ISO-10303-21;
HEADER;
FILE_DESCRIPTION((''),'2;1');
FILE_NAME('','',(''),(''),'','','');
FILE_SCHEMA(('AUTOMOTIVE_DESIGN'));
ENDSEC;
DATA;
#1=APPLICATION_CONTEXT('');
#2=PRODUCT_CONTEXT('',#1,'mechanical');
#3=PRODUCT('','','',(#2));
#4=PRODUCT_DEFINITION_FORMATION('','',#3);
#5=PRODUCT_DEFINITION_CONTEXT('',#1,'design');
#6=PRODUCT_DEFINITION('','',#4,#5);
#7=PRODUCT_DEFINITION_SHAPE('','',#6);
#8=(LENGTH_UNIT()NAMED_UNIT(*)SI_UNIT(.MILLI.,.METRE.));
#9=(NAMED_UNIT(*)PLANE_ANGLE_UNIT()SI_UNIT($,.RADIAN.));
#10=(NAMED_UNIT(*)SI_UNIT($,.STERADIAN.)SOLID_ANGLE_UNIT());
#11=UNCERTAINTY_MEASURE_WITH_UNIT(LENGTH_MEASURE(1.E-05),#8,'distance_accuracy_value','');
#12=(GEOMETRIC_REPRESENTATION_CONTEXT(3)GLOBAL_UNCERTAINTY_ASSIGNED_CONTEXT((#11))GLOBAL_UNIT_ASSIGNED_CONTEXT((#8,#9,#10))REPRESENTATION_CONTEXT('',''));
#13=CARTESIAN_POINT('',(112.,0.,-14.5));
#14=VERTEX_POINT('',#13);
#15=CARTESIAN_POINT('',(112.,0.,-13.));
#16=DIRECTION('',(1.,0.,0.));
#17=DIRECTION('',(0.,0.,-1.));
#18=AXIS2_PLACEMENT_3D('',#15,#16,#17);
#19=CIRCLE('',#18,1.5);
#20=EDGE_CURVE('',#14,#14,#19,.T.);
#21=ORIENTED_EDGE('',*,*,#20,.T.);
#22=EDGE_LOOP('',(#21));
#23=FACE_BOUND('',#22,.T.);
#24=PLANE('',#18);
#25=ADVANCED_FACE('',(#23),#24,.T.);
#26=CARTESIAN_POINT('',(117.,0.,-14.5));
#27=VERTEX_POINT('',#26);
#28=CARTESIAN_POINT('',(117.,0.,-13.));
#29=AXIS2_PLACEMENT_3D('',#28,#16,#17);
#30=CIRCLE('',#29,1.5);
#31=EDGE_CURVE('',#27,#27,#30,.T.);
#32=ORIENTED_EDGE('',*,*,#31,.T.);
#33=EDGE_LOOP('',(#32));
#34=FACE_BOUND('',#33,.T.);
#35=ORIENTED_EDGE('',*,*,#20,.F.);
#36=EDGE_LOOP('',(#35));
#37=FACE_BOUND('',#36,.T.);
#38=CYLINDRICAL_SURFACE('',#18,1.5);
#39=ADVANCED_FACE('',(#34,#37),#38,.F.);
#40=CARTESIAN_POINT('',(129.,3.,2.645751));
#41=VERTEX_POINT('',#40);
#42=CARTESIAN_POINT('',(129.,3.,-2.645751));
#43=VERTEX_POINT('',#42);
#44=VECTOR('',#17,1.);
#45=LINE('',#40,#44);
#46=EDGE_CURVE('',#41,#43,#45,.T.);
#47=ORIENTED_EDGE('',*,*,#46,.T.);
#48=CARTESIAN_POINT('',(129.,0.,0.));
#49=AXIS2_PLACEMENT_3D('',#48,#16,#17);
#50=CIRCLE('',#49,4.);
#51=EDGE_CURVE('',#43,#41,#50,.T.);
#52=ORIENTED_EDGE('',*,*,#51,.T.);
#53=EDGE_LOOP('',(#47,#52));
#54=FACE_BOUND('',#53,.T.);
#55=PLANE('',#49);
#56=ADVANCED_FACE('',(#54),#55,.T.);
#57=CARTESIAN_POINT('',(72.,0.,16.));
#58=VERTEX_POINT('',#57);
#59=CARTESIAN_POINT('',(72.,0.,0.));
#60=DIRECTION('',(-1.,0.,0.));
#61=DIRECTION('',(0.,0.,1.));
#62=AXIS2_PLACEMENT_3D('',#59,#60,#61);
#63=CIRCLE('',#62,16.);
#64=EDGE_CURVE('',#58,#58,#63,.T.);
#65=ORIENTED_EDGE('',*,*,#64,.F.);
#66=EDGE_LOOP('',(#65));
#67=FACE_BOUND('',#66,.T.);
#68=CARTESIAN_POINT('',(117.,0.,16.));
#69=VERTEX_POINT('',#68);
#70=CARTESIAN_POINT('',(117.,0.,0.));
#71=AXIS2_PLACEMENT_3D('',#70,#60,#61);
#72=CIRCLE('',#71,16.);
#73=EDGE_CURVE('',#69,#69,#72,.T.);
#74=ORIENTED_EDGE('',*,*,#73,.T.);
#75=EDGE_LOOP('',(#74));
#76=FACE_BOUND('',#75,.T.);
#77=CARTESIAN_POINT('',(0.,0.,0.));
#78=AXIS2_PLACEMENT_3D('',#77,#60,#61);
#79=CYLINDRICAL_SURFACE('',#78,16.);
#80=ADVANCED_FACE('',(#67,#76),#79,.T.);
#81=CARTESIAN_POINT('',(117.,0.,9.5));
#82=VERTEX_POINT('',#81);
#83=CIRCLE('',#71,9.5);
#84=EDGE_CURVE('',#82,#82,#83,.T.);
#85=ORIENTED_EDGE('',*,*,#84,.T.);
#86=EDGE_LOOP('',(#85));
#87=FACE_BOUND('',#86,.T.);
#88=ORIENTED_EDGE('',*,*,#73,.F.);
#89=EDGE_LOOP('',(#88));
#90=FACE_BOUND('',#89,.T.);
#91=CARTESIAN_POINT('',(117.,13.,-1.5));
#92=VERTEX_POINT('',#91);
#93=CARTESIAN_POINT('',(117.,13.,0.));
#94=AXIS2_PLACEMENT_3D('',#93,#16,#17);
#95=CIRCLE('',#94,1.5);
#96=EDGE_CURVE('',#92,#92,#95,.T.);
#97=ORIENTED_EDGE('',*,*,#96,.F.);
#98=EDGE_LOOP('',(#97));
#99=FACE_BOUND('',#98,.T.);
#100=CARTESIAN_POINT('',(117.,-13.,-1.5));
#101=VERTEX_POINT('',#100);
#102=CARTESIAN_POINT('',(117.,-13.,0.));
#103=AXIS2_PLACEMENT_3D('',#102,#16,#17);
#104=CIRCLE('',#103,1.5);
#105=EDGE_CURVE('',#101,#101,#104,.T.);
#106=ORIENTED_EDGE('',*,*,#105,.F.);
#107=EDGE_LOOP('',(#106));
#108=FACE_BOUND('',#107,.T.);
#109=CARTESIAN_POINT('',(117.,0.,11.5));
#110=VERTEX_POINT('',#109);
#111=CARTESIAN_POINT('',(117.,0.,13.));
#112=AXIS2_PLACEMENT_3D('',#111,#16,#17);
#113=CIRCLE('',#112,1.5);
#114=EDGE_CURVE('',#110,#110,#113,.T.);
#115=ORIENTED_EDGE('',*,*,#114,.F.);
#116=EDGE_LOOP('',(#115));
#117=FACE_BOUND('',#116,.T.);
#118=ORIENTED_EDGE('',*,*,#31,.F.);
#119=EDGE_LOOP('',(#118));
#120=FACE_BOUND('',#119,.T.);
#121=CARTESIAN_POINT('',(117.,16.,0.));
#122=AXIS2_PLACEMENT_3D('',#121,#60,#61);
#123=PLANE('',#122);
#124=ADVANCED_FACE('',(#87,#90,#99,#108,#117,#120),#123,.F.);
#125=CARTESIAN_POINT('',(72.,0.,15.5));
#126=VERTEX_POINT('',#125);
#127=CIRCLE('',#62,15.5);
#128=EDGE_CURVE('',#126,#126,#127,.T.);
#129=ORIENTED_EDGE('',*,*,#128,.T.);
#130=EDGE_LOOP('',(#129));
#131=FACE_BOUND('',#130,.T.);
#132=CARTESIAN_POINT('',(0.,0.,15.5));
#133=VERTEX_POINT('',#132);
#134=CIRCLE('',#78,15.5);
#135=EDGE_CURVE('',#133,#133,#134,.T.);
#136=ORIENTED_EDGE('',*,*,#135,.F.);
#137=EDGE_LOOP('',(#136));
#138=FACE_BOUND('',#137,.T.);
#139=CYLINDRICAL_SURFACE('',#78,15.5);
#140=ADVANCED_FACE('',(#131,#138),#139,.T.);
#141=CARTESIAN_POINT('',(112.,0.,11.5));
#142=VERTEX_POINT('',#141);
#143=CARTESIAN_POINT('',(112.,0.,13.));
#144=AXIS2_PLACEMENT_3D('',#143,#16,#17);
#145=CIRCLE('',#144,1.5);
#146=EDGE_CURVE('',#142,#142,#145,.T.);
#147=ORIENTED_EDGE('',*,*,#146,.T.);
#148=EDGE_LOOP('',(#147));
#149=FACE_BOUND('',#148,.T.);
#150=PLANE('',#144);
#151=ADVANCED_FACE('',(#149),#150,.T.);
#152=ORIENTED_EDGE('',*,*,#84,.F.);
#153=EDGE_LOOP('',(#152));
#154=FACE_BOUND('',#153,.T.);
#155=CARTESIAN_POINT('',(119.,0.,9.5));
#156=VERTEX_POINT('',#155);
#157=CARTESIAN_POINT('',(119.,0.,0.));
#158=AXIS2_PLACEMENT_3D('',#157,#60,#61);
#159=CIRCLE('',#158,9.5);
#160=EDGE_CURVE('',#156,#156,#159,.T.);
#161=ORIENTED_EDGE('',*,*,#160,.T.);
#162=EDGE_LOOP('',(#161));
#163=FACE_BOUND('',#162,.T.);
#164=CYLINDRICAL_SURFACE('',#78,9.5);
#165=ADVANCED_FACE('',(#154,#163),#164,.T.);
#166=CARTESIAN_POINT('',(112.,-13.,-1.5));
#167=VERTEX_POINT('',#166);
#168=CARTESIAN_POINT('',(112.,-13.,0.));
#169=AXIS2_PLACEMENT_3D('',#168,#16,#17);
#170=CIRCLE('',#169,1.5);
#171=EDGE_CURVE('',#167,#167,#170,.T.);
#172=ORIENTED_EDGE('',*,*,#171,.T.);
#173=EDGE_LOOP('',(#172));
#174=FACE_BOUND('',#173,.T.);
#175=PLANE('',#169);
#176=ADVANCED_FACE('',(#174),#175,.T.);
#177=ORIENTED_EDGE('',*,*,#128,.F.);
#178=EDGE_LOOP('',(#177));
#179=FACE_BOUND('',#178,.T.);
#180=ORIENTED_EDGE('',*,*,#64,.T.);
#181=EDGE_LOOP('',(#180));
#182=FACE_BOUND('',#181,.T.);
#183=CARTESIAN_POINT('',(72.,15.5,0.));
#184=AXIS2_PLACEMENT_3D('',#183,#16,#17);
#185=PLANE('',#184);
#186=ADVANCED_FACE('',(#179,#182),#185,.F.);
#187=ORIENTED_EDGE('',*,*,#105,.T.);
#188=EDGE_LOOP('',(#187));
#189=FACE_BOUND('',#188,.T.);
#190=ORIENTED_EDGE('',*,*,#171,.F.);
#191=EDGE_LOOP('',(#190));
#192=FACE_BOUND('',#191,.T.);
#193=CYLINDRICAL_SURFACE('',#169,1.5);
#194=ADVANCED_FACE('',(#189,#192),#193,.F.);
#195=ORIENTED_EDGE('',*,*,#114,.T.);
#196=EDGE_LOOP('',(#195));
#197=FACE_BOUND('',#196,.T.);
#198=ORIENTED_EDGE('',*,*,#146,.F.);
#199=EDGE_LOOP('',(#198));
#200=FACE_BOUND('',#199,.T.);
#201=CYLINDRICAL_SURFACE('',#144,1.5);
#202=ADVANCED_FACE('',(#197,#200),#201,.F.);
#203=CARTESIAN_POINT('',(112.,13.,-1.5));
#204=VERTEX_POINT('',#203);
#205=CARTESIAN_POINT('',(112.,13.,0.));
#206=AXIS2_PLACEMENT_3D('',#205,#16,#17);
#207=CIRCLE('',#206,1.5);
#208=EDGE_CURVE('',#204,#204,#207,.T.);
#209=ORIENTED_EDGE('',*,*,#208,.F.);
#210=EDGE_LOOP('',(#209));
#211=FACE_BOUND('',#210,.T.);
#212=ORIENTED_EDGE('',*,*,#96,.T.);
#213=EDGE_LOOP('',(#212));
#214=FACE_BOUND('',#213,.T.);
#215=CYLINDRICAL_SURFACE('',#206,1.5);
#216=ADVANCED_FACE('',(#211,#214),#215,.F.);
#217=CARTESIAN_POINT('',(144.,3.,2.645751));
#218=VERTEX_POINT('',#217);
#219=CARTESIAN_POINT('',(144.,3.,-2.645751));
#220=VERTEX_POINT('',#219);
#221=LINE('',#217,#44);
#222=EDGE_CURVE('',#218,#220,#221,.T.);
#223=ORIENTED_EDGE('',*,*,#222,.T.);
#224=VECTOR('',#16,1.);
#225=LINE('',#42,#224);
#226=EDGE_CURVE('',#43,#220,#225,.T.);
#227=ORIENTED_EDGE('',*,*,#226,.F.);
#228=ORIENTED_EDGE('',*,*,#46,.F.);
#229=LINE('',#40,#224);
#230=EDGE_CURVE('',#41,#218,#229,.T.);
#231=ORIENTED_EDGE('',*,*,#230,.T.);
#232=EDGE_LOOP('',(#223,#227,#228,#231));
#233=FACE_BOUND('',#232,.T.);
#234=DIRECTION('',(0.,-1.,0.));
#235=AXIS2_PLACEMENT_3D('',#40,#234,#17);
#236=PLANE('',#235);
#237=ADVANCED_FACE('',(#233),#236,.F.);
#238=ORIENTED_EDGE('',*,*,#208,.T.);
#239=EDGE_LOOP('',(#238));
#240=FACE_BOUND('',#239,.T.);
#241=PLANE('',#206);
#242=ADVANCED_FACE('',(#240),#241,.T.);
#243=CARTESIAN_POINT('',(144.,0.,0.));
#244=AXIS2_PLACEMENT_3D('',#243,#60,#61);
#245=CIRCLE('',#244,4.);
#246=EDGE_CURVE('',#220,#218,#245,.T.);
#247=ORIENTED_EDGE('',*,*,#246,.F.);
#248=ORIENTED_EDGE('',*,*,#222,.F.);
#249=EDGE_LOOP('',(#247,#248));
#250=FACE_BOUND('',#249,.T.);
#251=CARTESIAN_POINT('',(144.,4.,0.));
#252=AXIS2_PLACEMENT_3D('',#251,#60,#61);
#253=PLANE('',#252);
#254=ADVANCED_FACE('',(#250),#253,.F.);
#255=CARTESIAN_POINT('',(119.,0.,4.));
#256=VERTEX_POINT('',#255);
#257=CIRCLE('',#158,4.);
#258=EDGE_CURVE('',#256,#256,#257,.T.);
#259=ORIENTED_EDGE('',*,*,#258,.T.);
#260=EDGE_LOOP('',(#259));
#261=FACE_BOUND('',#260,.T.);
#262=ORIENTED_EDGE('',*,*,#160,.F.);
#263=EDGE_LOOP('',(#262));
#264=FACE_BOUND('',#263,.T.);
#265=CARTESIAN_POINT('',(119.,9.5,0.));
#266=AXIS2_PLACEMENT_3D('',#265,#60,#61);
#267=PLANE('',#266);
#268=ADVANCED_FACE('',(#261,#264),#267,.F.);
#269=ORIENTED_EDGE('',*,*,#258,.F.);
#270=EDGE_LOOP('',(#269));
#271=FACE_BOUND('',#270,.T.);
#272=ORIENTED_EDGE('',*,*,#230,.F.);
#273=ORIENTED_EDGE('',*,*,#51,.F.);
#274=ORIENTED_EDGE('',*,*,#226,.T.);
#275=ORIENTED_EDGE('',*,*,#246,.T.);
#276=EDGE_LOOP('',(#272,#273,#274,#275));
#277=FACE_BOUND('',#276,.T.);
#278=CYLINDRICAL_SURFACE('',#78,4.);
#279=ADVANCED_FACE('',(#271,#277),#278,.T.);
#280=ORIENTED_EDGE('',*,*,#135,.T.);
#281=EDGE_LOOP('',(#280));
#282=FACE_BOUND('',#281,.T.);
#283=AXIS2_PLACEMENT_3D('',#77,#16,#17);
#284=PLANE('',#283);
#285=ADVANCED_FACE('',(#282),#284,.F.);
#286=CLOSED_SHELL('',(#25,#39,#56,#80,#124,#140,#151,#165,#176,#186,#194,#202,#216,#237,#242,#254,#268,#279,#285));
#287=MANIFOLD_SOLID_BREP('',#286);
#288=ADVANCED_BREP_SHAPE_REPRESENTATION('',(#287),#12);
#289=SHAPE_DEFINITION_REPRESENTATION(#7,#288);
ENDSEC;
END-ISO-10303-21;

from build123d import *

# Parameters (mm, degrees)
CUT_EXTRUDE1_DEPTH = 15
SKETCH3_R          = 1.5
CUT_EXTRUDE2_DEPTH = 5


with BuildPart() as part:
    # Sketch1 → Revolve1 (revolve)
    with BuildSketch(Plane.XY, mode=Mode.PRIVATE) as revolve1_sk:
        Polygon((0, 0), (0, 15.5), (72, 15.5), (72, 16), (117, 16), (117, 9.5), (119, 9.5), (119, 4), (144, 4), (144, 0), align=None)
    revolve(revolve1_sk.sketch.rotate(Axis((0, 0, 0), (1, 0, 0)), 90), axis=Axis((0, 0, 0), (1, 0, 0)))

    # Sketch2 → Cut-Extrude1 (cut)
    with BuildSketch(Plane(origin=(144, 0, 0), x_dir=(0, 0, -1), z_dir=(1, 0, 0))):
        with BuildLine():
            Line((-2.645751311, 3), (2.645751311, 3))
            ThreePointArc((2.645751311, 3), (0, 4), (-2.645751311, 3))
        make_face()
    extrude(amount=-CUT_EXTRUDE1_DEPTH, mode=Mode.SUBTRACT)

    # Sketch3 → Cut-Extrude2 (cut)
    with BuildSketch(Plane(origin=(117, 0, 0), x_dir=(0, 0, -1), z_dir=(1, 0, 0))):
        with Locations((0, 13)):
            Circle(SKETCH3_R)
        with Locations((13, 0)):
            Circle(SKETCH3_R)
        with Locations((0, -13)):
            Circle(SKETCH3_R)
        with Locations((-13, 0)):
            Circle(SKETCH3_R)
    extrude(amount=-CUT_EXTRUDE2_DEPTH, mode=Mode.SUBTRACT)


solid = part.part
